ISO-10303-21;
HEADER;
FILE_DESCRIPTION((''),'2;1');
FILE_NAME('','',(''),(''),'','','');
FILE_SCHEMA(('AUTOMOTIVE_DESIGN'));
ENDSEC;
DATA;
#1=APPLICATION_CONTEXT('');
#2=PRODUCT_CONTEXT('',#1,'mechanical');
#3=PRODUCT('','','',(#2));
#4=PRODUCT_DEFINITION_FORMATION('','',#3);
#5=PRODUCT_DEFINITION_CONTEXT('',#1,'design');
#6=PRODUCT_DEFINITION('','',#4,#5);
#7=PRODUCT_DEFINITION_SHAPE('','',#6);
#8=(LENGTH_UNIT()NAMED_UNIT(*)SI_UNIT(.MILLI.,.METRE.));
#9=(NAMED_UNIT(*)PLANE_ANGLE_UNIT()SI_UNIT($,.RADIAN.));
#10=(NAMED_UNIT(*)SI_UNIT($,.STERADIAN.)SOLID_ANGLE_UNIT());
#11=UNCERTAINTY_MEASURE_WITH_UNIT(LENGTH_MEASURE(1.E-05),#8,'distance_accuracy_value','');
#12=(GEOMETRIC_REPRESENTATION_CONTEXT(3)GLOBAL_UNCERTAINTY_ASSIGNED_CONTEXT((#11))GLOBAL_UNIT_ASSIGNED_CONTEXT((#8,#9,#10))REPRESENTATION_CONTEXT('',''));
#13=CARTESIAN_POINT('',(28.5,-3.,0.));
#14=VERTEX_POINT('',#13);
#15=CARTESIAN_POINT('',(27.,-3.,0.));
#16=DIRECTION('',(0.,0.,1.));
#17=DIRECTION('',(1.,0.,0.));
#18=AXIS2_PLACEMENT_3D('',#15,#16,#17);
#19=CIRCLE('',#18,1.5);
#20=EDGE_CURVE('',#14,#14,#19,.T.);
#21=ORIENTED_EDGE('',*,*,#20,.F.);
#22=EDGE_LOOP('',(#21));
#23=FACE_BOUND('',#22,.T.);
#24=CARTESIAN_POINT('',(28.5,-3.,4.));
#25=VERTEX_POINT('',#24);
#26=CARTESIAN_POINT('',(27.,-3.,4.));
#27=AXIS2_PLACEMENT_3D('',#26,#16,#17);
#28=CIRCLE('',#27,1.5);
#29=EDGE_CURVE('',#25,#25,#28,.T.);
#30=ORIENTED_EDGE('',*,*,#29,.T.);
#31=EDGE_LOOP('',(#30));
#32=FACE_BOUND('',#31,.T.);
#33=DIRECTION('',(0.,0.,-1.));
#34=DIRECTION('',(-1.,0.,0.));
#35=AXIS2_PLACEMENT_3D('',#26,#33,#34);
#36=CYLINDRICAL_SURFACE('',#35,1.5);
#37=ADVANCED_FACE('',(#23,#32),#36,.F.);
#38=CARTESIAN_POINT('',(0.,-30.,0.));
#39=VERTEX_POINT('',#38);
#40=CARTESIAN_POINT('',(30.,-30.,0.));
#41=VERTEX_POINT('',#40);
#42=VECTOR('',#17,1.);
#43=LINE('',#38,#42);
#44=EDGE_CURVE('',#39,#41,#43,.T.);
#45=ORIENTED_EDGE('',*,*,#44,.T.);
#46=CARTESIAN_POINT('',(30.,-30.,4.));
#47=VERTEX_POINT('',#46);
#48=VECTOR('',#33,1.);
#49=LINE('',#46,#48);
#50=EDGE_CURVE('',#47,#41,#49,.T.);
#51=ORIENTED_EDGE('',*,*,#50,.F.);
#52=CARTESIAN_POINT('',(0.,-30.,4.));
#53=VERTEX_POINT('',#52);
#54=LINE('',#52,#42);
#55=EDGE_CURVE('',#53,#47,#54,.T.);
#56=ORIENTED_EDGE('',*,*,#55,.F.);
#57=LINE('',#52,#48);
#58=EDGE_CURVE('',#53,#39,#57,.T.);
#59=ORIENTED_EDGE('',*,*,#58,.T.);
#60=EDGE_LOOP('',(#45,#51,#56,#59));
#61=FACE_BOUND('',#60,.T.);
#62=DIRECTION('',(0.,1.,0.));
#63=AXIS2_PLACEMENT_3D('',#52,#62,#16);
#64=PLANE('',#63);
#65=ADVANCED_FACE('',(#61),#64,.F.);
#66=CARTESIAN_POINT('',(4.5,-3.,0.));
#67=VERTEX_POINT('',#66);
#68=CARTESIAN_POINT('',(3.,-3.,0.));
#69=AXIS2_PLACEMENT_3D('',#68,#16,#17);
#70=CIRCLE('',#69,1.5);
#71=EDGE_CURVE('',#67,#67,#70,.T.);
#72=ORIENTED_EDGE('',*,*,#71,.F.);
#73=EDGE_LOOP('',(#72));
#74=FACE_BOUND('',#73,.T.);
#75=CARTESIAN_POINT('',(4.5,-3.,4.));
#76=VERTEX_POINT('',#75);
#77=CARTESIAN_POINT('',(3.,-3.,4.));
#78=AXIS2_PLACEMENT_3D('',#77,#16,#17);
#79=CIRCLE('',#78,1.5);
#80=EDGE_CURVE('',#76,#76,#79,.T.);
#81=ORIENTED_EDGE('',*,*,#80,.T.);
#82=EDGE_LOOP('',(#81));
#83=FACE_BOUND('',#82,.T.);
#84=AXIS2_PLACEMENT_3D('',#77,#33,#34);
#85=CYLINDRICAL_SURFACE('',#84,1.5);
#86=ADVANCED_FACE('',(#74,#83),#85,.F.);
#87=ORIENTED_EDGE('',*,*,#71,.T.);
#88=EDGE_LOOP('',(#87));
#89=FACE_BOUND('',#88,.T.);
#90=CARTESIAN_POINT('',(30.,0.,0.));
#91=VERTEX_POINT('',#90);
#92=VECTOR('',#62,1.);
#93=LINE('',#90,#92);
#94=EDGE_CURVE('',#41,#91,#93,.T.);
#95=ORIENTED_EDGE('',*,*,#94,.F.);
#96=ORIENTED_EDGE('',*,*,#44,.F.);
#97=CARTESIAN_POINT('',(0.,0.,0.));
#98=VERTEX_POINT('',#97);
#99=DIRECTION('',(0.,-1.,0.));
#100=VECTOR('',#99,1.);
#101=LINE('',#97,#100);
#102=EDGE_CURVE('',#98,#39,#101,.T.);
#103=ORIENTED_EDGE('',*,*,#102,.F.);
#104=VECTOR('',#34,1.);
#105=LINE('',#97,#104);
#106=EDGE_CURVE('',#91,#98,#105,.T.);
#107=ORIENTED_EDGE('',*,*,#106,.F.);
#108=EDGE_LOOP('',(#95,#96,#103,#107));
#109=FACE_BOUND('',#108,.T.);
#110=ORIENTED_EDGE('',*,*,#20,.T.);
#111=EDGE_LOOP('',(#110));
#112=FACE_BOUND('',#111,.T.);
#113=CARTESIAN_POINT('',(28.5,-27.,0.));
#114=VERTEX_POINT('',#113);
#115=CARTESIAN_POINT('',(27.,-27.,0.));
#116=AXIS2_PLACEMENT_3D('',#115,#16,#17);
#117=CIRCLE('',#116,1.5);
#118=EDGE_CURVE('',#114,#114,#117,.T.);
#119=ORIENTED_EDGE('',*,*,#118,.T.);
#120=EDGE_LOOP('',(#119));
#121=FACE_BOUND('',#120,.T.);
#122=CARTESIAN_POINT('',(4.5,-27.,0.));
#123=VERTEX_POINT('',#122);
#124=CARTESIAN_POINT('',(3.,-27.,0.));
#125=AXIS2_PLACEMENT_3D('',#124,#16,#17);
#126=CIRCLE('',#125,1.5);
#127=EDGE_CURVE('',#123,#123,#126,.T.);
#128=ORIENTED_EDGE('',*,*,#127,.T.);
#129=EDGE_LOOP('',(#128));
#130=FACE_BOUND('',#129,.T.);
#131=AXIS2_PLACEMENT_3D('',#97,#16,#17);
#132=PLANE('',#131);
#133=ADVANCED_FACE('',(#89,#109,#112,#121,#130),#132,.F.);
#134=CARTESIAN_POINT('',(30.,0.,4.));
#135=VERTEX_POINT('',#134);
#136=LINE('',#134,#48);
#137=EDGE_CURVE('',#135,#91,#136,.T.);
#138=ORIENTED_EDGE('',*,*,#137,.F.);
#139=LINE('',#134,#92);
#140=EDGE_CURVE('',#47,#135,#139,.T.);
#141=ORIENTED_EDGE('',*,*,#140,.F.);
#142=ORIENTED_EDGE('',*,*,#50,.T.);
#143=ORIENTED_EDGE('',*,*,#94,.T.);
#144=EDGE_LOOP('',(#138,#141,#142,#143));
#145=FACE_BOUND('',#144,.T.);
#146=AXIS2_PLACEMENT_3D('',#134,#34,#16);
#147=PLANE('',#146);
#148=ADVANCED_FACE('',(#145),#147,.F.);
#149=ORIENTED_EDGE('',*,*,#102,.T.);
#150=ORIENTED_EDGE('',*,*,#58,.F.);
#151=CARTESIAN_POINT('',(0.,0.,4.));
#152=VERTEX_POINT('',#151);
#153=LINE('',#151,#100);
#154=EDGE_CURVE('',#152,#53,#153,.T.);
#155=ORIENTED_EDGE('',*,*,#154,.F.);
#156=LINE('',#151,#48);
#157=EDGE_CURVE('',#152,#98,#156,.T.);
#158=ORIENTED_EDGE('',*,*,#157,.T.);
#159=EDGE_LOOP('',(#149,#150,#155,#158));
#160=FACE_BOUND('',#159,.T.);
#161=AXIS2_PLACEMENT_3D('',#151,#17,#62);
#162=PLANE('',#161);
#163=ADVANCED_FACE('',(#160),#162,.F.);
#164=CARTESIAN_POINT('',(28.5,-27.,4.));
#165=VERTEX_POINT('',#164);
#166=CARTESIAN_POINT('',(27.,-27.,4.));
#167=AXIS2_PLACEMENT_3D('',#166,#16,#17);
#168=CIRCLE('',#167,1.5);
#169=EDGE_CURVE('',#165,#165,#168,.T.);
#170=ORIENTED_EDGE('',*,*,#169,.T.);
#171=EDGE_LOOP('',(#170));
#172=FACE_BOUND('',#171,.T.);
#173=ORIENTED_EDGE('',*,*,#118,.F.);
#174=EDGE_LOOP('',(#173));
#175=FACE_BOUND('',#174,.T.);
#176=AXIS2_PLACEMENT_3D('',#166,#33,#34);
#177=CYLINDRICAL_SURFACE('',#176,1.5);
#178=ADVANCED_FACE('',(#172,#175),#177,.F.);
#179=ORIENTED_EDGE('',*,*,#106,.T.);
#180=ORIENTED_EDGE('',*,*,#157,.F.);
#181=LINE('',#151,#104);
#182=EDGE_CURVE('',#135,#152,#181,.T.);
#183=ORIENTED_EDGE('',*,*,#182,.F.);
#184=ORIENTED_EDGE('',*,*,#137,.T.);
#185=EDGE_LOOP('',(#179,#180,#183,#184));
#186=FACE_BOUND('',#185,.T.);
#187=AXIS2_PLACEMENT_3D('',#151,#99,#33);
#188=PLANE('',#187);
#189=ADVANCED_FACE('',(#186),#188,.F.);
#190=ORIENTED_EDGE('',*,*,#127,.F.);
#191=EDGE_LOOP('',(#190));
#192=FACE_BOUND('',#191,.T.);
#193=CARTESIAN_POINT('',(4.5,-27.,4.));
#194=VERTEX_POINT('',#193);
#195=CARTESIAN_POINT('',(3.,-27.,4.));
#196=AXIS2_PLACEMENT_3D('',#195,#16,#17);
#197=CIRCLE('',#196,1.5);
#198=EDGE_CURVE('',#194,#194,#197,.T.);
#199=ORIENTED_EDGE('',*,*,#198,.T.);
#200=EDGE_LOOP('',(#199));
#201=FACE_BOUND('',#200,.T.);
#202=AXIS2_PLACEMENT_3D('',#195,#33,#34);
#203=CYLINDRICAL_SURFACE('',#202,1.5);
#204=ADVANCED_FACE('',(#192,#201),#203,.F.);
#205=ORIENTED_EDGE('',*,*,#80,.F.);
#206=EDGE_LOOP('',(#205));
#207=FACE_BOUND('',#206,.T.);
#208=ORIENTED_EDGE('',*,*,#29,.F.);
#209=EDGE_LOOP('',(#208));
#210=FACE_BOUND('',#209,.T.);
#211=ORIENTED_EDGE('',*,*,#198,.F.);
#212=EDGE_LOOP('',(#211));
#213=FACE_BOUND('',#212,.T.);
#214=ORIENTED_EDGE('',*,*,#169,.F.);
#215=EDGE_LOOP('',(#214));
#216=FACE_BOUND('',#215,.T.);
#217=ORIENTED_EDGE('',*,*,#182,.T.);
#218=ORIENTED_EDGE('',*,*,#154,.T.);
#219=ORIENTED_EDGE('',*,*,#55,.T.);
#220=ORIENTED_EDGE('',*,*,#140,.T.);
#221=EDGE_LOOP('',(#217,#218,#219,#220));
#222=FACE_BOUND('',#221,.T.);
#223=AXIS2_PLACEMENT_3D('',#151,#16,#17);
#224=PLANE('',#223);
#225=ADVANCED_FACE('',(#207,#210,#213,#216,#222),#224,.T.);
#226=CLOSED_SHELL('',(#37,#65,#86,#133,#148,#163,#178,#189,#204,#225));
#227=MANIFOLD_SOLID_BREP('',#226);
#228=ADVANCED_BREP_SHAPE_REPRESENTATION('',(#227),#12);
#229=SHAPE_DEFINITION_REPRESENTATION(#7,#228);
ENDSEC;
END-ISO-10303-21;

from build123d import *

# Parameters (mm, degrees)
ESQUISSE1_W        = 30
ESQUISSE1_H        = 30
ESQUISSE1_R        = 1.5
BOSS_EXTRU_1_DEPTH = 4


with BuildPart() as part:
    # Esquisse1 → Boss.-Extru.1 (new body)
    with BuildSketch(Plane.XY):
        with Locations((15, -15)):
            Rectangle(ESQUISSE1_W, ESQUISSE1_H)
        with Locations((3, -3)):
            Circle(ESQUISSE1_R, mode=Mode.SUBTRACT)
        with Locations((3, -27)):
            Circle(ESQUISSE1_R, mode=Mode.SUBTRACT)
        with Locations((27, -3)):
            Circle(ESQUISSE1_R, mode=Mode.SUBTRACT)
        with Locations((27, -27)):
            Circle(ESQUISSE1_R, mode=Mode.SUBTRACT)
    extrude(amount=BOSS_EXTRU_1_DEPTH)


solid = part.part
